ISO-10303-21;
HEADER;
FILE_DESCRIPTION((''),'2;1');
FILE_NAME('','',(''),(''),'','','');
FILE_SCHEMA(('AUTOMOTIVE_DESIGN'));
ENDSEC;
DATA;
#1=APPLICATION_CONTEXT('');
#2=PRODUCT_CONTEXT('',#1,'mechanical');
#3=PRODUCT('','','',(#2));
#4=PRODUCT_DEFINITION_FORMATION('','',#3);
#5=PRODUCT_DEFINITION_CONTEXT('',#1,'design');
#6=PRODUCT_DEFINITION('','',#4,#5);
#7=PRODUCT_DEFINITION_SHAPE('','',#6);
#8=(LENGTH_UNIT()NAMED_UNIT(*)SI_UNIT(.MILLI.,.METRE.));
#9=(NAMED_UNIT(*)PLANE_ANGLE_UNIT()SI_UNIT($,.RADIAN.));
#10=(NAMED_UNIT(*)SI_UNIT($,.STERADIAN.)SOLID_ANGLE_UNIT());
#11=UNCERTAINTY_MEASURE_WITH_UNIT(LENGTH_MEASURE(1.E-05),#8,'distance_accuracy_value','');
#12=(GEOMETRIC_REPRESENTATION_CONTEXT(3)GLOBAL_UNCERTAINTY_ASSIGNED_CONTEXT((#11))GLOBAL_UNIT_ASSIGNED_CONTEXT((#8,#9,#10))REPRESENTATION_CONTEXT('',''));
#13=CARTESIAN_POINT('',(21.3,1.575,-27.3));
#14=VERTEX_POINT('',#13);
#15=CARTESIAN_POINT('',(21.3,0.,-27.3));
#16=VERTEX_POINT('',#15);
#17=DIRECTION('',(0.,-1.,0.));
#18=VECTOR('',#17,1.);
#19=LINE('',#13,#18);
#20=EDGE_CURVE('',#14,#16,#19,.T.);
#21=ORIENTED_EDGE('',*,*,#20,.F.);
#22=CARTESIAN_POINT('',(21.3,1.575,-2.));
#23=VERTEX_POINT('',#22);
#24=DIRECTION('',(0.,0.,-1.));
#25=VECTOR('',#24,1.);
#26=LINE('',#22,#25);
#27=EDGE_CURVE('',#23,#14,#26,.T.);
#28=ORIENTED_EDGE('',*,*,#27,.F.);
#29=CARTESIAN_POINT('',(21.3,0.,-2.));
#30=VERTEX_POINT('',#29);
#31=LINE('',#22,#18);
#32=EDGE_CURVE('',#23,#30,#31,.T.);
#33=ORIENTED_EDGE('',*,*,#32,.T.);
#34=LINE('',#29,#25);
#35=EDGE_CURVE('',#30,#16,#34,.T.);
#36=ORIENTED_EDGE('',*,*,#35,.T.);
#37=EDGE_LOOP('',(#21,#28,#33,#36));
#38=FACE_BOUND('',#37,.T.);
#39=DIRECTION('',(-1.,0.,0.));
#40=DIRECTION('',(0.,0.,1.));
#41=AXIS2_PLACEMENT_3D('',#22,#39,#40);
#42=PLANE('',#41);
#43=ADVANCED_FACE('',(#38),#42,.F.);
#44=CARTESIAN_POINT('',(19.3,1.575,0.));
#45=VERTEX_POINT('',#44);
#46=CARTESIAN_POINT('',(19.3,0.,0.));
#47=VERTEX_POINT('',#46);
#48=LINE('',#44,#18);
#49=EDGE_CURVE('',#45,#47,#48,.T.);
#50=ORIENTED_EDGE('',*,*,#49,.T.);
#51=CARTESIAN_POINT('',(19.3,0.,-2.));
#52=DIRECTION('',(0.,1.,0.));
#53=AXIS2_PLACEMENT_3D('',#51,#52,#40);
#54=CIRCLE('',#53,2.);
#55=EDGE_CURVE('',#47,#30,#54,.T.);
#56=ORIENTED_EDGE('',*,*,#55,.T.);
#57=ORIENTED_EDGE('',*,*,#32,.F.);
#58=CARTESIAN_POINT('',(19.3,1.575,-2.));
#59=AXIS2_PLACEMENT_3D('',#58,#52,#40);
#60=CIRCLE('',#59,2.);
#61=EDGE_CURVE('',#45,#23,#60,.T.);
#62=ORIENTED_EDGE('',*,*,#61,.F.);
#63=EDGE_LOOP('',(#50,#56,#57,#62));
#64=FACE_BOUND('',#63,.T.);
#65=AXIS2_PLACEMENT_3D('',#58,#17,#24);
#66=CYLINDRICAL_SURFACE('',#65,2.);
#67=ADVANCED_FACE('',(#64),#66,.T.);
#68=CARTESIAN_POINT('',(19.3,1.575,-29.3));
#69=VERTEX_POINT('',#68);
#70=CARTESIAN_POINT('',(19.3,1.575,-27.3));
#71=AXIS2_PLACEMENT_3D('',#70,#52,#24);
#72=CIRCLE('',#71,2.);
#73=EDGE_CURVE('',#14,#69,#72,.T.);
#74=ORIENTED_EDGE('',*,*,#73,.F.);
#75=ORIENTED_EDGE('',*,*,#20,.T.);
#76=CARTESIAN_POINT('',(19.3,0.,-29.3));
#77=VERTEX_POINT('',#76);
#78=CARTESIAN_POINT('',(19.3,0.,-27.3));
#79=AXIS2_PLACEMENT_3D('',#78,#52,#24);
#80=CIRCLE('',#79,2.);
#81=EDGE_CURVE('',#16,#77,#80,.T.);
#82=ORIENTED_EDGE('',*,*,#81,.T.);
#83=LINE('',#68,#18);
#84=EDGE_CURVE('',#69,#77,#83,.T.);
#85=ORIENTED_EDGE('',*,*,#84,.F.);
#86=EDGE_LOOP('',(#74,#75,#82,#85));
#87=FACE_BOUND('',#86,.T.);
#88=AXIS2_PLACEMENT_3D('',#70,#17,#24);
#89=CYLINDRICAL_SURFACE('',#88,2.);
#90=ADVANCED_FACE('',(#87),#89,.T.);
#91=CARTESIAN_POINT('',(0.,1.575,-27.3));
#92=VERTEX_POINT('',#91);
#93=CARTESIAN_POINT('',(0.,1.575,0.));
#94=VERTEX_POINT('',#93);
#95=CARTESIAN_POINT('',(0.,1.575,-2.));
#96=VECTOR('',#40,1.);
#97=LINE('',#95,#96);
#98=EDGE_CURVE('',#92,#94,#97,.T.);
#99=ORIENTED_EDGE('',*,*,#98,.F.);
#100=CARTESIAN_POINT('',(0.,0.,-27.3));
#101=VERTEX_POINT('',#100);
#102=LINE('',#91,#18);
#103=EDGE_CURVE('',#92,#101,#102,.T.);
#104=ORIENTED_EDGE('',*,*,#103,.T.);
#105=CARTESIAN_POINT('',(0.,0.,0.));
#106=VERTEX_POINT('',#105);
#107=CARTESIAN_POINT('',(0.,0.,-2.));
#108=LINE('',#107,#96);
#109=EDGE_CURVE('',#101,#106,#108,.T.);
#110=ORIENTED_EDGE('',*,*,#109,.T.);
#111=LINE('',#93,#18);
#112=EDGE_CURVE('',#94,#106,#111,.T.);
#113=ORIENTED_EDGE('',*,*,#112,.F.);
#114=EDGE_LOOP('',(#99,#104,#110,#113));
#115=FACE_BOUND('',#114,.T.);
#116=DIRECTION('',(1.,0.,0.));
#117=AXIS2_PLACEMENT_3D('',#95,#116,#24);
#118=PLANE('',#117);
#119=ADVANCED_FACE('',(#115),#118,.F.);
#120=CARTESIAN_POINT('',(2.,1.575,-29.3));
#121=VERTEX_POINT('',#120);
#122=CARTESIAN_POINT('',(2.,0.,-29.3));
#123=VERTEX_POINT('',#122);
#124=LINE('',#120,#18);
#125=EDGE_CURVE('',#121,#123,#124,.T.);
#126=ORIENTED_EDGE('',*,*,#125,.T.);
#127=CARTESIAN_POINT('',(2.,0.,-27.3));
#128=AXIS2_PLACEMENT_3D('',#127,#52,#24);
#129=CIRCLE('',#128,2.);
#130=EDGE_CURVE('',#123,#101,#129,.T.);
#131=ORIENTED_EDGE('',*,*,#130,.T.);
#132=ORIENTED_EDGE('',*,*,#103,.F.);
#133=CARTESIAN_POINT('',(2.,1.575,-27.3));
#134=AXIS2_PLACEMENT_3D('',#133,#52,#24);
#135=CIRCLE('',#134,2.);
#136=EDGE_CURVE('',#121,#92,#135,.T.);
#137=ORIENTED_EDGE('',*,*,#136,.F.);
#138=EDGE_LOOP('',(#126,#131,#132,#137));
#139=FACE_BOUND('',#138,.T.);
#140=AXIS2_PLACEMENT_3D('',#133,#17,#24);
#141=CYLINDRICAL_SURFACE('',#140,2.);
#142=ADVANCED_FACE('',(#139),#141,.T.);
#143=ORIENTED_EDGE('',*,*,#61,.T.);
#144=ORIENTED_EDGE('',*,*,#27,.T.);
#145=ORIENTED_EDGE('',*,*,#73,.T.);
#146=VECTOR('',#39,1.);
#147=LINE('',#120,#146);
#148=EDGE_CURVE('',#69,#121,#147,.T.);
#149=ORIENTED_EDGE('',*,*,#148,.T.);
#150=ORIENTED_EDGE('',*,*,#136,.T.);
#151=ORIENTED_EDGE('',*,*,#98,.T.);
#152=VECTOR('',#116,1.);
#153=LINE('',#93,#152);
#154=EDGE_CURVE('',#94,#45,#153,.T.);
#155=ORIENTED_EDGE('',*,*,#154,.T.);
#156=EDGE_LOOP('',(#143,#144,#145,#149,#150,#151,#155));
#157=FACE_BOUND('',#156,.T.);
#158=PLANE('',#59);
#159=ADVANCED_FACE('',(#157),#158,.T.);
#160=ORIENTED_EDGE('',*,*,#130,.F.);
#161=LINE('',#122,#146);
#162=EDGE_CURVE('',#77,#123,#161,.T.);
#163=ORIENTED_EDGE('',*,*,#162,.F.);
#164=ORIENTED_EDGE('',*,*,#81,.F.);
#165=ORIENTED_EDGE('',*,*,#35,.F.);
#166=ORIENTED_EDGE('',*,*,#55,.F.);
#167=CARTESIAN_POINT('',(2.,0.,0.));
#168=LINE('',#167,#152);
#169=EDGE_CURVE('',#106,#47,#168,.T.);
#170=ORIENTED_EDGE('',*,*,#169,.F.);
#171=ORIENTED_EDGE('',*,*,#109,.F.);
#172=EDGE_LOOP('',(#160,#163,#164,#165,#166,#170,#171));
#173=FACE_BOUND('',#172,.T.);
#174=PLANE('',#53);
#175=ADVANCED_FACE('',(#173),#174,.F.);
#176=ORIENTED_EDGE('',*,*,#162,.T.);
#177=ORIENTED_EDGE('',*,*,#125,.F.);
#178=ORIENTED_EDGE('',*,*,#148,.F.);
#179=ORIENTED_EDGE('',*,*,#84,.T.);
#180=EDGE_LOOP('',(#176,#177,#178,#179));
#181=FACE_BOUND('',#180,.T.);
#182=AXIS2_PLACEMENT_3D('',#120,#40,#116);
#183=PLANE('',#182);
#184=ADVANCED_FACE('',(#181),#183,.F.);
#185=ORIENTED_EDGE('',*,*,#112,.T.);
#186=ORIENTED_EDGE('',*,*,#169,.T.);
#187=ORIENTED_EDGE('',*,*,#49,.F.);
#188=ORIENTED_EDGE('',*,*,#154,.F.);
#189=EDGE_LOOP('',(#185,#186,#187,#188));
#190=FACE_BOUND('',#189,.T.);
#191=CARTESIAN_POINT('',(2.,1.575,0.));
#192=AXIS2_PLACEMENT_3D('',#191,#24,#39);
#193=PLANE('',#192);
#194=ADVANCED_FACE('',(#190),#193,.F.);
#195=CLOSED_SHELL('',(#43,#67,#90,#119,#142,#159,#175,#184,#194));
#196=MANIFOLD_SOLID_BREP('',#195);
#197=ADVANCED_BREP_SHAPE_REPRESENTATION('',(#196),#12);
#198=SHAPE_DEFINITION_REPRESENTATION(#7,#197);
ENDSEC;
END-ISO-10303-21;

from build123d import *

# Parameters (mm, degrees)
BOSS_EXTRUDE2_DEPTH = 1.575


with BuildPart() as part:
    # Sketch2 → Boss-Extrude2 (new body)
    with BuildSketch(Plane(origin=(0, 0, 0), x_dir=(1, 0, 0), z_dir=(0, 1, 0))):
        with BuildLine():
            Line((0, 2), (0, 0))
            Line((0, 0), (2, 0))
            Line((2, 0), (19.3, 0))
            ThreePointArc((19.3, 0), (20.714213562, 0.585786438), (21.3, 2))
            Line((21.3, 2), (21.3, 27.3))
            ThreePointArc((21.3, 27.3), (20.714213562, 28.714213562), (19.3, 29.3))
            Line((19.3, 29.3), (2, 29.3))
            ThreePointArc((2, 29.3), (0.585786438, 28.714213562), (0, 27.3))
            Line((0, 27.3), (0, 2))
        make_face()
    extrude(amount=BOSS_EXTRUDE2_DEPTH)


solid = part.part
